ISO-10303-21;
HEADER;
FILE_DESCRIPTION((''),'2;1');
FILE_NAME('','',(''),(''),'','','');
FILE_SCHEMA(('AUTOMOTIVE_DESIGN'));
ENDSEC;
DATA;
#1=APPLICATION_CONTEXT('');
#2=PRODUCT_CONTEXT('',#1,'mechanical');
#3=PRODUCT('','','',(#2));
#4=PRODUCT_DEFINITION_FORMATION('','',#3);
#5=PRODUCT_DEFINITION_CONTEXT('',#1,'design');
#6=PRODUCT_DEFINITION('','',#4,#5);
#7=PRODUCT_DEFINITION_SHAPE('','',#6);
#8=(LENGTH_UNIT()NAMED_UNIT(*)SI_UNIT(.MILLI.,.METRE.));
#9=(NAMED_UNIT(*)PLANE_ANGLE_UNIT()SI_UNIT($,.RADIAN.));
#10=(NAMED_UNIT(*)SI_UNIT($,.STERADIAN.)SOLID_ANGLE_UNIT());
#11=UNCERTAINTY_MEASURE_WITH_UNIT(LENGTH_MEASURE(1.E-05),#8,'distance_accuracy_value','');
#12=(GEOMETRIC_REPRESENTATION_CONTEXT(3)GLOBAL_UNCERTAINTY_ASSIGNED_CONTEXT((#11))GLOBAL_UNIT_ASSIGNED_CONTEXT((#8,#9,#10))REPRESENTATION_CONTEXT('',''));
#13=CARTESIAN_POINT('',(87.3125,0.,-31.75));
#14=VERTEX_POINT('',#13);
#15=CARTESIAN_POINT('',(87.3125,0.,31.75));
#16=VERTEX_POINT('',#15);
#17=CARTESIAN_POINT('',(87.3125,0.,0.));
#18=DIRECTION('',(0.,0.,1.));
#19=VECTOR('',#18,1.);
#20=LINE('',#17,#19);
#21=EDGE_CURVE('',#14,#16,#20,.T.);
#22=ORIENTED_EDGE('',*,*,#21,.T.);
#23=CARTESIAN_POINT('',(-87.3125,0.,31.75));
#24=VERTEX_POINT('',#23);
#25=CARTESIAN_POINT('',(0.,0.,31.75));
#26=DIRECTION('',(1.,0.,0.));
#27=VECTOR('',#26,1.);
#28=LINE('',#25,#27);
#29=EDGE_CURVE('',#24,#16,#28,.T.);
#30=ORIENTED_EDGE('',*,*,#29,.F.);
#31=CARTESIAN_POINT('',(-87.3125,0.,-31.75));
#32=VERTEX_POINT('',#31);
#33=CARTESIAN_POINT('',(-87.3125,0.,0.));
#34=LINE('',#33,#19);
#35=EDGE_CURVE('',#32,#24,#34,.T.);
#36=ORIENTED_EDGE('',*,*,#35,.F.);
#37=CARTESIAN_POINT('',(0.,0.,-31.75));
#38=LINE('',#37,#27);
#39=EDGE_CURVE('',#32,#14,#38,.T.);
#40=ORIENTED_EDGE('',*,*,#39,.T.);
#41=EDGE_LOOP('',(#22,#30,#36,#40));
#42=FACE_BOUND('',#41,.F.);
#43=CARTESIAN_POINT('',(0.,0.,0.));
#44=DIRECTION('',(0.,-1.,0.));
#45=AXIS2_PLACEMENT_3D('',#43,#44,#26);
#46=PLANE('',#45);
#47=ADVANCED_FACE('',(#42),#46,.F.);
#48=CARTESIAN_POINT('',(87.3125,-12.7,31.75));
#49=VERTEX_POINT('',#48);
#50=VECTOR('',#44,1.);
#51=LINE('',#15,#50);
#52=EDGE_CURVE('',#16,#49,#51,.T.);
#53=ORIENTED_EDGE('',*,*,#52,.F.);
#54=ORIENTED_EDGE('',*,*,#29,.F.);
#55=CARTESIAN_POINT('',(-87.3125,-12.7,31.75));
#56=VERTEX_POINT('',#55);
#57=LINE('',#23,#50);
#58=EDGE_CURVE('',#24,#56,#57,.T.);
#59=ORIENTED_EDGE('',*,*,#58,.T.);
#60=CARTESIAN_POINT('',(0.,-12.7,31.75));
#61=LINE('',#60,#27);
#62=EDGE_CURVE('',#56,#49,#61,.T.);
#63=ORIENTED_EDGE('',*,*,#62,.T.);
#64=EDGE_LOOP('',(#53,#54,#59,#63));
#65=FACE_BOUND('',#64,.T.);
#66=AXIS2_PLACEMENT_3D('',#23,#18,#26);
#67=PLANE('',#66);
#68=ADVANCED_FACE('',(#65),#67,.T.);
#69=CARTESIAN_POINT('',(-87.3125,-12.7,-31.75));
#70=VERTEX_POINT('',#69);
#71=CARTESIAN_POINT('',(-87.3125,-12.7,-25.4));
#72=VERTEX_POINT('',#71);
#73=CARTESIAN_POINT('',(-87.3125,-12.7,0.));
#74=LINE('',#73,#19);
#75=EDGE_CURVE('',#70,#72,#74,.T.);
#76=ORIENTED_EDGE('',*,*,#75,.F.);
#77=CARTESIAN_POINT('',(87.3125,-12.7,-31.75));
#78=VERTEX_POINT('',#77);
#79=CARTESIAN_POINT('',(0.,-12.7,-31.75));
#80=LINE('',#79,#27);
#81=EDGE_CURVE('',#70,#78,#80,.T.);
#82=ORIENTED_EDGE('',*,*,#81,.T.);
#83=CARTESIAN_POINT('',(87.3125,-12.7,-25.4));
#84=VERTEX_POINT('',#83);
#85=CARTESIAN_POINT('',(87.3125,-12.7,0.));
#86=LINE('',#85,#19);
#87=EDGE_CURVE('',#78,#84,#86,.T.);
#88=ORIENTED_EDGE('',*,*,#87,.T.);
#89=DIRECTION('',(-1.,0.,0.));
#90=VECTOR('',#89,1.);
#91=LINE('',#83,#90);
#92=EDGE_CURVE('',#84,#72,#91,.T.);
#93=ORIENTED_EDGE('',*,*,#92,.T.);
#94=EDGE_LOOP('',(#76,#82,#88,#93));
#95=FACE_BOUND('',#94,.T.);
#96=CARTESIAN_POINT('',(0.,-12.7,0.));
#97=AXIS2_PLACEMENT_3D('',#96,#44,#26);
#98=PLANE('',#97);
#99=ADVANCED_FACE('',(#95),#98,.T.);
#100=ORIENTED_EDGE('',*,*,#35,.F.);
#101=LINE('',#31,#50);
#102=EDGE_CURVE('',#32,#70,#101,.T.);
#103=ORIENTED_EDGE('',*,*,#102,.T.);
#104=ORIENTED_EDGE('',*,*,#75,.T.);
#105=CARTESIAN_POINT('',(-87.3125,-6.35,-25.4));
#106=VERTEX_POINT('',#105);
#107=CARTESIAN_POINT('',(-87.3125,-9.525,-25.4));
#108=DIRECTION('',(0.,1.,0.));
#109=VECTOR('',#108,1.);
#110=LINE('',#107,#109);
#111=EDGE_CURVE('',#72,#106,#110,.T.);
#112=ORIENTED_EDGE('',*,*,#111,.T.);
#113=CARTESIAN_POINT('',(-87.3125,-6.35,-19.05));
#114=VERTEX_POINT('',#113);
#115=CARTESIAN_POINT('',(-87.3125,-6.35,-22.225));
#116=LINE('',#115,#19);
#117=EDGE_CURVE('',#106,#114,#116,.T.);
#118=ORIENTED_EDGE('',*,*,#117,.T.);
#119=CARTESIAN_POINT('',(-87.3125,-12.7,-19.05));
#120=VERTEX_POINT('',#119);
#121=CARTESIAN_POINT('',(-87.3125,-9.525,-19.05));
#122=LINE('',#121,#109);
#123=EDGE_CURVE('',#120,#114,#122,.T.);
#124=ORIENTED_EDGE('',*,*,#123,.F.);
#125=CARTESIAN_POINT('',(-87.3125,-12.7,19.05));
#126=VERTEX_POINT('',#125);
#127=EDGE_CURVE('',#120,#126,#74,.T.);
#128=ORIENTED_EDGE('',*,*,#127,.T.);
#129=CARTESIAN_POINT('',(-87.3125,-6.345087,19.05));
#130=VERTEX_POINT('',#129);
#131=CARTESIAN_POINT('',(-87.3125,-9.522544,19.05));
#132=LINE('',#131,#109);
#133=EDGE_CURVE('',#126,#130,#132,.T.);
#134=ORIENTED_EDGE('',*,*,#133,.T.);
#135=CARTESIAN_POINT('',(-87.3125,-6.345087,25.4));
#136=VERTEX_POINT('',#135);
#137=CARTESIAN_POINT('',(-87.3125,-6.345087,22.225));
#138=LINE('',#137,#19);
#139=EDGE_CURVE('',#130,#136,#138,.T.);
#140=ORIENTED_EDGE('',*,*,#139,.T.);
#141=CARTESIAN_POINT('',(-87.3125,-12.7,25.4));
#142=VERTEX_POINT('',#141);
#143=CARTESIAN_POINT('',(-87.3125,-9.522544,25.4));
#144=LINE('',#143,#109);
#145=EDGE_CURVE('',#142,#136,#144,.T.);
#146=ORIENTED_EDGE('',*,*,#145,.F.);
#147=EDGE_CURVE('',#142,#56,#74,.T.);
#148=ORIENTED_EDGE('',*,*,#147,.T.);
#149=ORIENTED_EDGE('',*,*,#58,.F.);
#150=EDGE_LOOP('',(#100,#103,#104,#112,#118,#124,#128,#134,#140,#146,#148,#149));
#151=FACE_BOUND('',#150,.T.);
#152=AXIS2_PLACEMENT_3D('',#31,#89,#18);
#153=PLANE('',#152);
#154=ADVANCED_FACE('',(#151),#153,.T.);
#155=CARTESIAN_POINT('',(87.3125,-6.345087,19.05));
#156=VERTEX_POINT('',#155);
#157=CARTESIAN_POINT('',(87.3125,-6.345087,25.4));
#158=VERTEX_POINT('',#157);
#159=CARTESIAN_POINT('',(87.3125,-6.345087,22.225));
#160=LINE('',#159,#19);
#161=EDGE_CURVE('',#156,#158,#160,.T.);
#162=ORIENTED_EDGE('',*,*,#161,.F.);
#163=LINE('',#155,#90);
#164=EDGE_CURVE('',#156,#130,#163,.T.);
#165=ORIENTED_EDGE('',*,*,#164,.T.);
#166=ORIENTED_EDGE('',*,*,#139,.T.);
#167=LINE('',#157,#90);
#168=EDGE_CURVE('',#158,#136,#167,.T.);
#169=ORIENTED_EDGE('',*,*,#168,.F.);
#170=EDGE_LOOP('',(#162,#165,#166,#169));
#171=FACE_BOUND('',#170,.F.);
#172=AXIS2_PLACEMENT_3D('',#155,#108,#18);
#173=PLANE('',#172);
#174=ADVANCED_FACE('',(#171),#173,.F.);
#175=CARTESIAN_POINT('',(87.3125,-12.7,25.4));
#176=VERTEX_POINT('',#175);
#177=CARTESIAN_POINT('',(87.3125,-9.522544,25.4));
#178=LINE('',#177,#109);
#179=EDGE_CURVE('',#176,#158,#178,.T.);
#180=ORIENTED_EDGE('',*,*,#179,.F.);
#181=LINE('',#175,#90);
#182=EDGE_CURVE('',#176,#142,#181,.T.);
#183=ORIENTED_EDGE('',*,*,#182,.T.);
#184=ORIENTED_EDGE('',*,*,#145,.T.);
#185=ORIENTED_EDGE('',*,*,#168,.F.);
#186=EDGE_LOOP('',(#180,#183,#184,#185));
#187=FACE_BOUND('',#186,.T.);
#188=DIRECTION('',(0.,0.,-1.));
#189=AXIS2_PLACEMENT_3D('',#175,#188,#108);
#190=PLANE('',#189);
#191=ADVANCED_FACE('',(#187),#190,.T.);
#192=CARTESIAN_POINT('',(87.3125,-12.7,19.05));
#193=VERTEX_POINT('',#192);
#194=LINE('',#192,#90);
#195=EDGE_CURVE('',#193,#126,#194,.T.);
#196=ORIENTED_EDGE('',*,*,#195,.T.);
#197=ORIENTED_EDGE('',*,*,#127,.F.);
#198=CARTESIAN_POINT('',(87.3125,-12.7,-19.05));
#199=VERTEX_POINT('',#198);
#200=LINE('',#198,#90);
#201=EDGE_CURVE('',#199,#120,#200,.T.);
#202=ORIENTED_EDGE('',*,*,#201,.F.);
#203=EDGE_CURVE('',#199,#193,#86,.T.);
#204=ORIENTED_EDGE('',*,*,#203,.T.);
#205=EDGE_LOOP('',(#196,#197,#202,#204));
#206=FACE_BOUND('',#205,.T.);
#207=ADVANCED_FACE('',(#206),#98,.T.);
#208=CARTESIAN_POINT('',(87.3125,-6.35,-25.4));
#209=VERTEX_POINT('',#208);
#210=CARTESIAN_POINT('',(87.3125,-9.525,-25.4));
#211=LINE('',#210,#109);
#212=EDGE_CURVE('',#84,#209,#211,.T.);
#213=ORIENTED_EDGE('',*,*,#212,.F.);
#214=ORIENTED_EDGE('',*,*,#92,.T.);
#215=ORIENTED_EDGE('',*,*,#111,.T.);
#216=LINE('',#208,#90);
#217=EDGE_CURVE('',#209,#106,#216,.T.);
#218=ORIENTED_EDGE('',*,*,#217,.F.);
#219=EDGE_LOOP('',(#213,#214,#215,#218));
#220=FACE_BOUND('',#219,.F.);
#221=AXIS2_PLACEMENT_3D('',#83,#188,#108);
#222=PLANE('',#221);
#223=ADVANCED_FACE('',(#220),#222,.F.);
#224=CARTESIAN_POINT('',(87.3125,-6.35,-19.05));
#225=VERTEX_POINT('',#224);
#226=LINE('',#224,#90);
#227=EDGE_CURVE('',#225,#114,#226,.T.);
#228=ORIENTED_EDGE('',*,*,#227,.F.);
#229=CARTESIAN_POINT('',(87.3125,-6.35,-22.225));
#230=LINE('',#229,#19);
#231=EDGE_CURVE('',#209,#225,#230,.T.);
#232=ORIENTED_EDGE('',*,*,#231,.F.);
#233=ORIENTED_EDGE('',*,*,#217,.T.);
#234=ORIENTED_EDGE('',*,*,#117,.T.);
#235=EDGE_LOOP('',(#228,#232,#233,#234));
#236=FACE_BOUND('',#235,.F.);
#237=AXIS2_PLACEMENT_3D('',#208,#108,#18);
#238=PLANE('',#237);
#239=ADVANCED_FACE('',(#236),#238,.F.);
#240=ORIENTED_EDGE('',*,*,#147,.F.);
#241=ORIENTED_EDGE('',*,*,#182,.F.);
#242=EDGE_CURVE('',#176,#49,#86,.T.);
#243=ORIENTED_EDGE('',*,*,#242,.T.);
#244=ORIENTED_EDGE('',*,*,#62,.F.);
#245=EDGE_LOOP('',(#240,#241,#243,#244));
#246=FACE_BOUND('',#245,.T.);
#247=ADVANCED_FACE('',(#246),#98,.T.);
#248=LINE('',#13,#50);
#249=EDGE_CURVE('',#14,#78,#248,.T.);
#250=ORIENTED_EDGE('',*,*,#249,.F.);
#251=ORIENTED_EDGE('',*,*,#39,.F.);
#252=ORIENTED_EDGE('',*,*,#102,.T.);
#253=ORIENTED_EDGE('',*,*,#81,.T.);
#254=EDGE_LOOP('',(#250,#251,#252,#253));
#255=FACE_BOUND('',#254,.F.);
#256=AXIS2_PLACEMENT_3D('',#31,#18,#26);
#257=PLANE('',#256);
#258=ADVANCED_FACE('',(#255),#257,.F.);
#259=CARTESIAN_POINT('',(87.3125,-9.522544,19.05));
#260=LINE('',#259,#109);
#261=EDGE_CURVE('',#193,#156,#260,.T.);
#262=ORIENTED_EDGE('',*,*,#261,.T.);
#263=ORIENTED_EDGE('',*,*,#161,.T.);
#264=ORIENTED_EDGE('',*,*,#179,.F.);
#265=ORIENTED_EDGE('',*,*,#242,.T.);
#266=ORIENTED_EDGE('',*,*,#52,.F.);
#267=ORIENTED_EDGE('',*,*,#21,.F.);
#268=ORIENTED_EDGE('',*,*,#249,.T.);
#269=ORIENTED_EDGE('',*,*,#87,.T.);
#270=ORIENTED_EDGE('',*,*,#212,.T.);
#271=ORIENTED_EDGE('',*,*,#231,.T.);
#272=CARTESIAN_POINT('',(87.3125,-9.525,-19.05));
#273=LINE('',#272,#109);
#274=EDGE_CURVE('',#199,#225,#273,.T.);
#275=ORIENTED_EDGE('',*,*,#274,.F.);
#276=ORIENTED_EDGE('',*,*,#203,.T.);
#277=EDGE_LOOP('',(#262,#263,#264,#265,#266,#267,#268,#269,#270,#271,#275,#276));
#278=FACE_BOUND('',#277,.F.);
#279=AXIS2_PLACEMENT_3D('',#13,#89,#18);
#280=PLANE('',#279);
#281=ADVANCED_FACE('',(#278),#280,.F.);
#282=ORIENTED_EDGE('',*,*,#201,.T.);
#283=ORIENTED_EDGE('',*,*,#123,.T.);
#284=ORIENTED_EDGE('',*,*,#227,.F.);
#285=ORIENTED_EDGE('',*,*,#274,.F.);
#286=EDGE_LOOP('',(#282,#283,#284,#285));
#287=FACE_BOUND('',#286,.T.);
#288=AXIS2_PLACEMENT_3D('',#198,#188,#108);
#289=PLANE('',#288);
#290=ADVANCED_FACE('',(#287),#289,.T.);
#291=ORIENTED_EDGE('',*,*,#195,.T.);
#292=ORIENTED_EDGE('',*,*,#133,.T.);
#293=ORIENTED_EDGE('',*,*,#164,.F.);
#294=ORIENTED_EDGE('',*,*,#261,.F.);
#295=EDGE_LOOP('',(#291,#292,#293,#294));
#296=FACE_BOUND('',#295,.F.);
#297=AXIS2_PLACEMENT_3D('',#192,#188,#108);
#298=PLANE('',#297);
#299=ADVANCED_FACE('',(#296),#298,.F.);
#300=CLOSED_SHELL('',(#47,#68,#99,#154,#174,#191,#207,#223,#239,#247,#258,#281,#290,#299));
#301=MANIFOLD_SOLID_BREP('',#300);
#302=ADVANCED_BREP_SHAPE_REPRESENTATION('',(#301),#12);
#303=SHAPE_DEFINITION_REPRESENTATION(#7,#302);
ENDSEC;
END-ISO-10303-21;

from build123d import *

# Parameters (mm, degrees)
F0_W     = 174.625
F0_H     = 63.5
F1_DEPTH = 12.7
F2_W     = 6.3549128033
F2_H     = 6.35
F2_W_2   = 6.35
F3_DEPTH = 174.625


with BuildPart() as f1:
    # F0 (on Front) → F1 (new body)
    with BuildSketch(Plane.XZ):
        Rectangle(F0_W, F0_H)
    extrude(amount=F1_DEPTH)

    # F2 (on face) → F3 (cut, through all)
    with BuildSketch(Plane.YZ.offset(87.3125)):
        with Locations((-9.5225435983, 22.225)):
            Rectangle(F2_W, F2_H)
        with Locations((-9.525, -22.225)):
            Rectangle(F2_W_2, F2_H)
    extrude(amount=-F3_DEPTH, mode=Mode.SUBTRACT)


solid = f1.part
